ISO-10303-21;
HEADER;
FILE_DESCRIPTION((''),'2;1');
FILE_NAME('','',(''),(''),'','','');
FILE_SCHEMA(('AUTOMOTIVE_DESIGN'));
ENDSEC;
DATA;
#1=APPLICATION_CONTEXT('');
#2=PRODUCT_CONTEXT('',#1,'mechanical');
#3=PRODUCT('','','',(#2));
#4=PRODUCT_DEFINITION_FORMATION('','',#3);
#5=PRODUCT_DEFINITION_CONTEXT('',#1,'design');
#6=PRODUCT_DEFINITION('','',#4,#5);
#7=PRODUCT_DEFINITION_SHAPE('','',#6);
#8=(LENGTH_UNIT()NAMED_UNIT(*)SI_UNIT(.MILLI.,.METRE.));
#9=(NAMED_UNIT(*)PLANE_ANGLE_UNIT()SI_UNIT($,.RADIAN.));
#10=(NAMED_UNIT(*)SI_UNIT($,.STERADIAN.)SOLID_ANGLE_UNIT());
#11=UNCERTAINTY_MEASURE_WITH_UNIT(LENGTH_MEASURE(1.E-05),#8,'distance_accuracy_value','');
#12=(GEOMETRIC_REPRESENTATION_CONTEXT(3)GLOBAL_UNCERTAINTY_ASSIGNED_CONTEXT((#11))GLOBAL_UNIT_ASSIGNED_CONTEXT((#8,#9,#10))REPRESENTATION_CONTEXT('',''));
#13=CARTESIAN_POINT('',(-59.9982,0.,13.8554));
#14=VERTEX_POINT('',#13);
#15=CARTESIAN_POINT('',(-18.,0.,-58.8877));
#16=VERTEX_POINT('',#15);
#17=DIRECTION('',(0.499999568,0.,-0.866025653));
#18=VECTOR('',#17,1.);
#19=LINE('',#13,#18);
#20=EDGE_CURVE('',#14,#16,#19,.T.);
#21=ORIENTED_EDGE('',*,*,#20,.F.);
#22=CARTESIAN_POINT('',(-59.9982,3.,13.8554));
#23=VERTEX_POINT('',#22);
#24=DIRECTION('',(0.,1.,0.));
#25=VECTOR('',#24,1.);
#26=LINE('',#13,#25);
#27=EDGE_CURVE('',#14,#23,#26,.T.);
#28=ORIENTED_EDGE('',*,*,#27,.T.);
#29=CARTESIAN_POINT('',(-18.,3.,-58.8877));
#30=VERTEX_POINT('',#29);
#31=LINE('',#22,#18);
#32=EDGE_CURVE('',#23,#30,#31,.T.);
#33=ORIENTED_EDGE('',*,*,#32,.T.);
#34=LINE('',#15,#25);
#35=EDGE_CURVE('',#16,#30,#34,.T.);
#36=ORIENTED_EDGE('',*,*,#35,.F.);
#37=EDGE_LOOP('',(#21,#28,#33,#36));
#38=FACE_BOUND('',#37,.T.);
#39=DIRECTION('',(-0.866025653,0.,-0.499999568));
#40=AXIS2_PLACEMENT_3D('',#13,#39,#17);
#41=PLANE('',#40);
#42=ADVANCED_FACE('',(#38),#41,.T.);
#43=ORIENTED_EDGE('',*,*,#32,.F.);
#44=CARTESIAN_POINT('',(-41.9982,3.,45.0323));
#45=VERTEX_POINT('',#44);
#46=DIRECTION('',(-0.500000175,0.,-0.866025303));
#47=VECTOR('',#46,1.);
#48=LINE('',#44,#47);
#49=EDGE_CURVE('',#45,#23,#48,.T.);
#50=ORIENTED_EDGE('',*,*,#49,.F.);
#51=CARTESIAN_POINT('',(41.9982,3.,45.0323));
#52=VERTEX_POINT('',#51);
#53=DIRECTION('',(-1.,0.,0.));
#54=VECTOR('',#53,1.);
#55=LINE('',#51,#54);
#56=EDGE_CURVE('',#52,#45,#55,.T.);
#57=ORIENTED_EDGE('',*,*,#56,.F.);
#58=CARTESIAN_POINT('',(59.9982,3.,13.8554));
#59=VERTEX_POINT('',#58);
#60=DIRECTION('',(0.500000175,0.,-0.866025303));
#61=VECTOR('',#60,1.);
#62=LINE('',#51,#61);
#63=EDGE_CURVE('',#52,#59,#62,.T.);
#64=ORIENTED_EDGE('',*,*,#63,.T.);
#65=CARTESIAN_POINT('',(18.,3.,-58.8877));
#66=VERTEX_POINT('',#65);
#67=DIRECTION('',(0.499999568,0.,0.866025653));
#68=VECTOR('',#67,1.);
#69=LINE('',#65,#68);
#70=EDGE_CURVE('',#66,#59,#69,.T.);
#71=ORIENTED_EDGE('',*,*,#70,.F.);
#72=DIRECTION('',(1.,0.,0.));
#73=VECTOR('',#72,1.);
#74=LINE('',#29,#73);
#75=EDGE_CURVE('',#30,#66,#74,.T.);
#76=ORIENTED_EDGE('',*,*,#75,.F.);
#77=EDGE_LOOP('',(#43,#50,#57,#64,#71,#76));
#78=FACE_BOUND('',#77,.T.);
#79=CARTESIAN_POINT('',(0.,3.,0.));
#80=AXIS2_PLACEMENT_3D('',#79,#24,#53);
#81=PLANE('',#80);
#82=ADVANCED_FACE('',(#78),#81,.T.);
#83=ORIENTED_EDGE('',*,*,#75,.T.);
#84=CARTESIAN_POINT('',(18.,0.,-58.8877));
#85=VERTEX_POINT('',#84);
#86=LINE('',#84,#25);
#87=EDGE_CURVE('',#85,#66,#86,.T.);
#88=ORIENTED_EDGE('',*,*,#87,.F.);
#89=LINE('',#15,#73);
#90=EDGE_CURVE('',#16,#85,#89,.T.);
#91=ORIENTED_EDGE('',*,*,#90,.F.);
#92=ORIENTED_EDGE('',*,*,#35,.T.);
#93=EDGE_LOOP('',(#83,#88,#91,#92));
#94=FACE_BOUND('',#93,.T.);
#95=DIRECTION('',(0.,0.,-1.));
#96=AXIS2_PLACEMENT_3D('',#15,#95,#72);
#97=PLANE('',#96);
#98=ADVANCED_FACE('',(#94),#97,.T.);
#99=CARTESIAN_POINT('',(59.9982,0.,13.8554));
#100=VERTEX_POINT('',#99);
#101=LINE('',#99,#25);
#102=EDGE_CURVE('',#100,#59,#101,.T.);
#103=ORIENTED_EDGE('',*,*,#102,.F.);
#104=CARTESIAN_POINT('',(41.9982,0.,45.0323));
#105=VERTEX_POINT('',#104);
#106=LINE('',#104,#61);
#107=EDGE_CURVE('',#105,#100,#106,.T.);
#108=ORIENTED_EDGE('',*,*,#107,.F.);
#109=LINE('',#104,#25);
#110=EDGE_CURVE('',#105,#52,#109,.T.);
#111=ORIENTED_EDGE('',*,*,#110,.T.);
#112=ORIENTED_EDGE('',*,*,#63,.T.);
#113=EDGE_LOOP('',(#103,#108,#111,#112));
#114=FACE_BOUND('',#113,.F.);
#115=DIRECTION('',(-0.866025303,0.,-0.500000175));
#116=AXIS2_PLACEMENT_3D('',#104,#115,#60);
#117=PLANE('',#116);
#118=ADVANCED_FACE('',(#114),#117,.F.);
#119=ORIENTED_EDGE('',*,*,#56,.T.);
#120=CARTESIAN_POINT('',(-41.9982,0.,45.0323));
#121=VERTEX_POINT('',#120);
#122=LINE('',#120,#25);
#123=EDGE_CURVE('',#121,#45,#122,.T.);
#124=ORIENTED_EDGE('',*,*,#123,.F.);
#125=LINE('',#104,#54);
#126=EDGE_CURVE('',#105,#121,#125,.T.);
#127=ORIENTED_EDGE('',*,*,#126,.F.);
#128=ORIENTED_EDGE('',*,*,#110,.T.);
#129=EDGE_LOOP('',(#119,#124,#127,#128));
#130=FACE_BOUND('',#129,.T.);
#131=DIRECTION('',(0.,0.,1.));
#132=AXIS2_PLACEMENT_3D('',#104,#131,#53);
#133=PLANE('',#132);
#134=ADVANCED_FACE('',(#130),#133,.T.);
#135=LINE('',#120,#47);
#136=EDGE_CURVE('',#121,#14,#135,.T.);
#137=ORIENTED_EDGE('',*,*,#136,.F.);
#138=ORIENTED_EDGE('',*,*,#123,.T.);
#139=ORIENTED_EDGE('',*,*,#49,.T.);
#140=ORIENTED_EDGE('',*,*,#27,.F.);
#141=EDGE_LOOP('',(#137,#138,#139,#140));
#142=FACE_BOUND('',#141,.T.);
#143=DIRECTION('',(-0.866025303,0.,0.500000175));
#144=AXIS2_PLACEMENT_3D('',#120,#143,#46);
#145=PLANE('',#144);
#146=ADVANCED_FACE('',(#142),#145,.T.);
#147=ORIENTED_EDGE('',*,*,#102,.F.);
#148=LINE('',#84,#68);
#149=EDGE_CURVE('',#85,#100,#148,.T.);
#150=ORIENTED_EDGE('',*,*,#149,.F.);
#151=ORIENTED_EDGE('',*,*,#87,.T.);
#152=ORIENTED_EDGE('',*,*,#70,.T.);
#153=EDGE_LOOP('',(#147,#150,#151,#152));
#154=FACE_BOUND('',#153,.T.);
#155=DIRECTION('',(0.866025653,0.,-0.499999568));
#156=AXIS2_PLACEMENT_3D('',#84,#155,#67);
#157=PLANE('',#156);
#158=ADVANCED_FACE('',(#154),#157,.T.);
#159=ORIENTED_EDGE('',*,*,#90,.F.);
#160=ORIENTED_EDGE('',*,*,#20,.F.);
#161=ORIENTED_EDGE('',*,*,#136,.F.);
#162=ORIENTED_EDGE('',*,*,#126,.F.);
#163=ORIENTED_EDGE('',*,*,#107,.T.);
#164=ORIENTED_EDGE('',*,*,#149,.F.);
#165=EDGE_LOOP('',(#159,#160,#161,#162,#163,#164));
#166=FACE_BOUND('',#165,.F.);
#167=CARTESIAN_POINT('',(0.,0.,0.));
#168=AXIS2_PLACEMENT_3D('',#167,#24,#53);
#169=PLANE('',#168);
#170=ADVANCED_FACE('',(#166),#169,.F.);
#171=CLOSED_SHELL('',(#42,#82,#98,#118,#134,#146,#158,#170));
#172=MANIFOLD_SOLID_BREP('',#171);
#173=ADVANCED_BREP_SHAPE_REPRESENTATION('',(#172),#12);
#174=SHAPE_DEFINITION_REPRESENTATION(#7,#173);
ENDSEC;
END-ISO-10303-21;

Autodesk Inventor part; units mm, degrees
ref_plane "YZ Plane" through (0, 0, 0) normal (1, 0, 0) x (0, 1, 0)
ref_plane "XZ Plane" through (0, 0, 0) normal (0, 1, 0) x (-1, 0, 0)
ref_plane "XY Plane" through (0, 0, 0) normal (0, 0, 1) x (1, 0, 0)
sketch "Sketch1" plane through (0, 0, 0) normal (0, 1, 0) x (-1, 0, 0)
  line L0 (-18, -58.8877) -> (-59.9982, 13.8554)
  line L1 (-41.9982, 45.0323) -> (41.9982, 45.0323)
  line L2 (59.9982, 13.8554) -> (18, -58.8877)
  line L3 (41.9982, 45.0323) -> (59.9982, 13.8554)
  line L4 (18, -58.8877) -> (-18, -58.8877)
  line L5 (-41.9982, 45.0323) -> (-59.9982, 13.8554)
  point P0 (0, 0)
  point P1 (0, 0)
  dimension "d0" = 103.92
  dimension "d1" = 36
  dimension "d2" = 36
  dimension "d4" = 60
  dimension "d5" = 60
  dimension "d6" = 36
  dimension "d7" = 60
extrude "Extrusion1" add sketch "Sketch1" along normal blind 3
properties part number "chassis"
